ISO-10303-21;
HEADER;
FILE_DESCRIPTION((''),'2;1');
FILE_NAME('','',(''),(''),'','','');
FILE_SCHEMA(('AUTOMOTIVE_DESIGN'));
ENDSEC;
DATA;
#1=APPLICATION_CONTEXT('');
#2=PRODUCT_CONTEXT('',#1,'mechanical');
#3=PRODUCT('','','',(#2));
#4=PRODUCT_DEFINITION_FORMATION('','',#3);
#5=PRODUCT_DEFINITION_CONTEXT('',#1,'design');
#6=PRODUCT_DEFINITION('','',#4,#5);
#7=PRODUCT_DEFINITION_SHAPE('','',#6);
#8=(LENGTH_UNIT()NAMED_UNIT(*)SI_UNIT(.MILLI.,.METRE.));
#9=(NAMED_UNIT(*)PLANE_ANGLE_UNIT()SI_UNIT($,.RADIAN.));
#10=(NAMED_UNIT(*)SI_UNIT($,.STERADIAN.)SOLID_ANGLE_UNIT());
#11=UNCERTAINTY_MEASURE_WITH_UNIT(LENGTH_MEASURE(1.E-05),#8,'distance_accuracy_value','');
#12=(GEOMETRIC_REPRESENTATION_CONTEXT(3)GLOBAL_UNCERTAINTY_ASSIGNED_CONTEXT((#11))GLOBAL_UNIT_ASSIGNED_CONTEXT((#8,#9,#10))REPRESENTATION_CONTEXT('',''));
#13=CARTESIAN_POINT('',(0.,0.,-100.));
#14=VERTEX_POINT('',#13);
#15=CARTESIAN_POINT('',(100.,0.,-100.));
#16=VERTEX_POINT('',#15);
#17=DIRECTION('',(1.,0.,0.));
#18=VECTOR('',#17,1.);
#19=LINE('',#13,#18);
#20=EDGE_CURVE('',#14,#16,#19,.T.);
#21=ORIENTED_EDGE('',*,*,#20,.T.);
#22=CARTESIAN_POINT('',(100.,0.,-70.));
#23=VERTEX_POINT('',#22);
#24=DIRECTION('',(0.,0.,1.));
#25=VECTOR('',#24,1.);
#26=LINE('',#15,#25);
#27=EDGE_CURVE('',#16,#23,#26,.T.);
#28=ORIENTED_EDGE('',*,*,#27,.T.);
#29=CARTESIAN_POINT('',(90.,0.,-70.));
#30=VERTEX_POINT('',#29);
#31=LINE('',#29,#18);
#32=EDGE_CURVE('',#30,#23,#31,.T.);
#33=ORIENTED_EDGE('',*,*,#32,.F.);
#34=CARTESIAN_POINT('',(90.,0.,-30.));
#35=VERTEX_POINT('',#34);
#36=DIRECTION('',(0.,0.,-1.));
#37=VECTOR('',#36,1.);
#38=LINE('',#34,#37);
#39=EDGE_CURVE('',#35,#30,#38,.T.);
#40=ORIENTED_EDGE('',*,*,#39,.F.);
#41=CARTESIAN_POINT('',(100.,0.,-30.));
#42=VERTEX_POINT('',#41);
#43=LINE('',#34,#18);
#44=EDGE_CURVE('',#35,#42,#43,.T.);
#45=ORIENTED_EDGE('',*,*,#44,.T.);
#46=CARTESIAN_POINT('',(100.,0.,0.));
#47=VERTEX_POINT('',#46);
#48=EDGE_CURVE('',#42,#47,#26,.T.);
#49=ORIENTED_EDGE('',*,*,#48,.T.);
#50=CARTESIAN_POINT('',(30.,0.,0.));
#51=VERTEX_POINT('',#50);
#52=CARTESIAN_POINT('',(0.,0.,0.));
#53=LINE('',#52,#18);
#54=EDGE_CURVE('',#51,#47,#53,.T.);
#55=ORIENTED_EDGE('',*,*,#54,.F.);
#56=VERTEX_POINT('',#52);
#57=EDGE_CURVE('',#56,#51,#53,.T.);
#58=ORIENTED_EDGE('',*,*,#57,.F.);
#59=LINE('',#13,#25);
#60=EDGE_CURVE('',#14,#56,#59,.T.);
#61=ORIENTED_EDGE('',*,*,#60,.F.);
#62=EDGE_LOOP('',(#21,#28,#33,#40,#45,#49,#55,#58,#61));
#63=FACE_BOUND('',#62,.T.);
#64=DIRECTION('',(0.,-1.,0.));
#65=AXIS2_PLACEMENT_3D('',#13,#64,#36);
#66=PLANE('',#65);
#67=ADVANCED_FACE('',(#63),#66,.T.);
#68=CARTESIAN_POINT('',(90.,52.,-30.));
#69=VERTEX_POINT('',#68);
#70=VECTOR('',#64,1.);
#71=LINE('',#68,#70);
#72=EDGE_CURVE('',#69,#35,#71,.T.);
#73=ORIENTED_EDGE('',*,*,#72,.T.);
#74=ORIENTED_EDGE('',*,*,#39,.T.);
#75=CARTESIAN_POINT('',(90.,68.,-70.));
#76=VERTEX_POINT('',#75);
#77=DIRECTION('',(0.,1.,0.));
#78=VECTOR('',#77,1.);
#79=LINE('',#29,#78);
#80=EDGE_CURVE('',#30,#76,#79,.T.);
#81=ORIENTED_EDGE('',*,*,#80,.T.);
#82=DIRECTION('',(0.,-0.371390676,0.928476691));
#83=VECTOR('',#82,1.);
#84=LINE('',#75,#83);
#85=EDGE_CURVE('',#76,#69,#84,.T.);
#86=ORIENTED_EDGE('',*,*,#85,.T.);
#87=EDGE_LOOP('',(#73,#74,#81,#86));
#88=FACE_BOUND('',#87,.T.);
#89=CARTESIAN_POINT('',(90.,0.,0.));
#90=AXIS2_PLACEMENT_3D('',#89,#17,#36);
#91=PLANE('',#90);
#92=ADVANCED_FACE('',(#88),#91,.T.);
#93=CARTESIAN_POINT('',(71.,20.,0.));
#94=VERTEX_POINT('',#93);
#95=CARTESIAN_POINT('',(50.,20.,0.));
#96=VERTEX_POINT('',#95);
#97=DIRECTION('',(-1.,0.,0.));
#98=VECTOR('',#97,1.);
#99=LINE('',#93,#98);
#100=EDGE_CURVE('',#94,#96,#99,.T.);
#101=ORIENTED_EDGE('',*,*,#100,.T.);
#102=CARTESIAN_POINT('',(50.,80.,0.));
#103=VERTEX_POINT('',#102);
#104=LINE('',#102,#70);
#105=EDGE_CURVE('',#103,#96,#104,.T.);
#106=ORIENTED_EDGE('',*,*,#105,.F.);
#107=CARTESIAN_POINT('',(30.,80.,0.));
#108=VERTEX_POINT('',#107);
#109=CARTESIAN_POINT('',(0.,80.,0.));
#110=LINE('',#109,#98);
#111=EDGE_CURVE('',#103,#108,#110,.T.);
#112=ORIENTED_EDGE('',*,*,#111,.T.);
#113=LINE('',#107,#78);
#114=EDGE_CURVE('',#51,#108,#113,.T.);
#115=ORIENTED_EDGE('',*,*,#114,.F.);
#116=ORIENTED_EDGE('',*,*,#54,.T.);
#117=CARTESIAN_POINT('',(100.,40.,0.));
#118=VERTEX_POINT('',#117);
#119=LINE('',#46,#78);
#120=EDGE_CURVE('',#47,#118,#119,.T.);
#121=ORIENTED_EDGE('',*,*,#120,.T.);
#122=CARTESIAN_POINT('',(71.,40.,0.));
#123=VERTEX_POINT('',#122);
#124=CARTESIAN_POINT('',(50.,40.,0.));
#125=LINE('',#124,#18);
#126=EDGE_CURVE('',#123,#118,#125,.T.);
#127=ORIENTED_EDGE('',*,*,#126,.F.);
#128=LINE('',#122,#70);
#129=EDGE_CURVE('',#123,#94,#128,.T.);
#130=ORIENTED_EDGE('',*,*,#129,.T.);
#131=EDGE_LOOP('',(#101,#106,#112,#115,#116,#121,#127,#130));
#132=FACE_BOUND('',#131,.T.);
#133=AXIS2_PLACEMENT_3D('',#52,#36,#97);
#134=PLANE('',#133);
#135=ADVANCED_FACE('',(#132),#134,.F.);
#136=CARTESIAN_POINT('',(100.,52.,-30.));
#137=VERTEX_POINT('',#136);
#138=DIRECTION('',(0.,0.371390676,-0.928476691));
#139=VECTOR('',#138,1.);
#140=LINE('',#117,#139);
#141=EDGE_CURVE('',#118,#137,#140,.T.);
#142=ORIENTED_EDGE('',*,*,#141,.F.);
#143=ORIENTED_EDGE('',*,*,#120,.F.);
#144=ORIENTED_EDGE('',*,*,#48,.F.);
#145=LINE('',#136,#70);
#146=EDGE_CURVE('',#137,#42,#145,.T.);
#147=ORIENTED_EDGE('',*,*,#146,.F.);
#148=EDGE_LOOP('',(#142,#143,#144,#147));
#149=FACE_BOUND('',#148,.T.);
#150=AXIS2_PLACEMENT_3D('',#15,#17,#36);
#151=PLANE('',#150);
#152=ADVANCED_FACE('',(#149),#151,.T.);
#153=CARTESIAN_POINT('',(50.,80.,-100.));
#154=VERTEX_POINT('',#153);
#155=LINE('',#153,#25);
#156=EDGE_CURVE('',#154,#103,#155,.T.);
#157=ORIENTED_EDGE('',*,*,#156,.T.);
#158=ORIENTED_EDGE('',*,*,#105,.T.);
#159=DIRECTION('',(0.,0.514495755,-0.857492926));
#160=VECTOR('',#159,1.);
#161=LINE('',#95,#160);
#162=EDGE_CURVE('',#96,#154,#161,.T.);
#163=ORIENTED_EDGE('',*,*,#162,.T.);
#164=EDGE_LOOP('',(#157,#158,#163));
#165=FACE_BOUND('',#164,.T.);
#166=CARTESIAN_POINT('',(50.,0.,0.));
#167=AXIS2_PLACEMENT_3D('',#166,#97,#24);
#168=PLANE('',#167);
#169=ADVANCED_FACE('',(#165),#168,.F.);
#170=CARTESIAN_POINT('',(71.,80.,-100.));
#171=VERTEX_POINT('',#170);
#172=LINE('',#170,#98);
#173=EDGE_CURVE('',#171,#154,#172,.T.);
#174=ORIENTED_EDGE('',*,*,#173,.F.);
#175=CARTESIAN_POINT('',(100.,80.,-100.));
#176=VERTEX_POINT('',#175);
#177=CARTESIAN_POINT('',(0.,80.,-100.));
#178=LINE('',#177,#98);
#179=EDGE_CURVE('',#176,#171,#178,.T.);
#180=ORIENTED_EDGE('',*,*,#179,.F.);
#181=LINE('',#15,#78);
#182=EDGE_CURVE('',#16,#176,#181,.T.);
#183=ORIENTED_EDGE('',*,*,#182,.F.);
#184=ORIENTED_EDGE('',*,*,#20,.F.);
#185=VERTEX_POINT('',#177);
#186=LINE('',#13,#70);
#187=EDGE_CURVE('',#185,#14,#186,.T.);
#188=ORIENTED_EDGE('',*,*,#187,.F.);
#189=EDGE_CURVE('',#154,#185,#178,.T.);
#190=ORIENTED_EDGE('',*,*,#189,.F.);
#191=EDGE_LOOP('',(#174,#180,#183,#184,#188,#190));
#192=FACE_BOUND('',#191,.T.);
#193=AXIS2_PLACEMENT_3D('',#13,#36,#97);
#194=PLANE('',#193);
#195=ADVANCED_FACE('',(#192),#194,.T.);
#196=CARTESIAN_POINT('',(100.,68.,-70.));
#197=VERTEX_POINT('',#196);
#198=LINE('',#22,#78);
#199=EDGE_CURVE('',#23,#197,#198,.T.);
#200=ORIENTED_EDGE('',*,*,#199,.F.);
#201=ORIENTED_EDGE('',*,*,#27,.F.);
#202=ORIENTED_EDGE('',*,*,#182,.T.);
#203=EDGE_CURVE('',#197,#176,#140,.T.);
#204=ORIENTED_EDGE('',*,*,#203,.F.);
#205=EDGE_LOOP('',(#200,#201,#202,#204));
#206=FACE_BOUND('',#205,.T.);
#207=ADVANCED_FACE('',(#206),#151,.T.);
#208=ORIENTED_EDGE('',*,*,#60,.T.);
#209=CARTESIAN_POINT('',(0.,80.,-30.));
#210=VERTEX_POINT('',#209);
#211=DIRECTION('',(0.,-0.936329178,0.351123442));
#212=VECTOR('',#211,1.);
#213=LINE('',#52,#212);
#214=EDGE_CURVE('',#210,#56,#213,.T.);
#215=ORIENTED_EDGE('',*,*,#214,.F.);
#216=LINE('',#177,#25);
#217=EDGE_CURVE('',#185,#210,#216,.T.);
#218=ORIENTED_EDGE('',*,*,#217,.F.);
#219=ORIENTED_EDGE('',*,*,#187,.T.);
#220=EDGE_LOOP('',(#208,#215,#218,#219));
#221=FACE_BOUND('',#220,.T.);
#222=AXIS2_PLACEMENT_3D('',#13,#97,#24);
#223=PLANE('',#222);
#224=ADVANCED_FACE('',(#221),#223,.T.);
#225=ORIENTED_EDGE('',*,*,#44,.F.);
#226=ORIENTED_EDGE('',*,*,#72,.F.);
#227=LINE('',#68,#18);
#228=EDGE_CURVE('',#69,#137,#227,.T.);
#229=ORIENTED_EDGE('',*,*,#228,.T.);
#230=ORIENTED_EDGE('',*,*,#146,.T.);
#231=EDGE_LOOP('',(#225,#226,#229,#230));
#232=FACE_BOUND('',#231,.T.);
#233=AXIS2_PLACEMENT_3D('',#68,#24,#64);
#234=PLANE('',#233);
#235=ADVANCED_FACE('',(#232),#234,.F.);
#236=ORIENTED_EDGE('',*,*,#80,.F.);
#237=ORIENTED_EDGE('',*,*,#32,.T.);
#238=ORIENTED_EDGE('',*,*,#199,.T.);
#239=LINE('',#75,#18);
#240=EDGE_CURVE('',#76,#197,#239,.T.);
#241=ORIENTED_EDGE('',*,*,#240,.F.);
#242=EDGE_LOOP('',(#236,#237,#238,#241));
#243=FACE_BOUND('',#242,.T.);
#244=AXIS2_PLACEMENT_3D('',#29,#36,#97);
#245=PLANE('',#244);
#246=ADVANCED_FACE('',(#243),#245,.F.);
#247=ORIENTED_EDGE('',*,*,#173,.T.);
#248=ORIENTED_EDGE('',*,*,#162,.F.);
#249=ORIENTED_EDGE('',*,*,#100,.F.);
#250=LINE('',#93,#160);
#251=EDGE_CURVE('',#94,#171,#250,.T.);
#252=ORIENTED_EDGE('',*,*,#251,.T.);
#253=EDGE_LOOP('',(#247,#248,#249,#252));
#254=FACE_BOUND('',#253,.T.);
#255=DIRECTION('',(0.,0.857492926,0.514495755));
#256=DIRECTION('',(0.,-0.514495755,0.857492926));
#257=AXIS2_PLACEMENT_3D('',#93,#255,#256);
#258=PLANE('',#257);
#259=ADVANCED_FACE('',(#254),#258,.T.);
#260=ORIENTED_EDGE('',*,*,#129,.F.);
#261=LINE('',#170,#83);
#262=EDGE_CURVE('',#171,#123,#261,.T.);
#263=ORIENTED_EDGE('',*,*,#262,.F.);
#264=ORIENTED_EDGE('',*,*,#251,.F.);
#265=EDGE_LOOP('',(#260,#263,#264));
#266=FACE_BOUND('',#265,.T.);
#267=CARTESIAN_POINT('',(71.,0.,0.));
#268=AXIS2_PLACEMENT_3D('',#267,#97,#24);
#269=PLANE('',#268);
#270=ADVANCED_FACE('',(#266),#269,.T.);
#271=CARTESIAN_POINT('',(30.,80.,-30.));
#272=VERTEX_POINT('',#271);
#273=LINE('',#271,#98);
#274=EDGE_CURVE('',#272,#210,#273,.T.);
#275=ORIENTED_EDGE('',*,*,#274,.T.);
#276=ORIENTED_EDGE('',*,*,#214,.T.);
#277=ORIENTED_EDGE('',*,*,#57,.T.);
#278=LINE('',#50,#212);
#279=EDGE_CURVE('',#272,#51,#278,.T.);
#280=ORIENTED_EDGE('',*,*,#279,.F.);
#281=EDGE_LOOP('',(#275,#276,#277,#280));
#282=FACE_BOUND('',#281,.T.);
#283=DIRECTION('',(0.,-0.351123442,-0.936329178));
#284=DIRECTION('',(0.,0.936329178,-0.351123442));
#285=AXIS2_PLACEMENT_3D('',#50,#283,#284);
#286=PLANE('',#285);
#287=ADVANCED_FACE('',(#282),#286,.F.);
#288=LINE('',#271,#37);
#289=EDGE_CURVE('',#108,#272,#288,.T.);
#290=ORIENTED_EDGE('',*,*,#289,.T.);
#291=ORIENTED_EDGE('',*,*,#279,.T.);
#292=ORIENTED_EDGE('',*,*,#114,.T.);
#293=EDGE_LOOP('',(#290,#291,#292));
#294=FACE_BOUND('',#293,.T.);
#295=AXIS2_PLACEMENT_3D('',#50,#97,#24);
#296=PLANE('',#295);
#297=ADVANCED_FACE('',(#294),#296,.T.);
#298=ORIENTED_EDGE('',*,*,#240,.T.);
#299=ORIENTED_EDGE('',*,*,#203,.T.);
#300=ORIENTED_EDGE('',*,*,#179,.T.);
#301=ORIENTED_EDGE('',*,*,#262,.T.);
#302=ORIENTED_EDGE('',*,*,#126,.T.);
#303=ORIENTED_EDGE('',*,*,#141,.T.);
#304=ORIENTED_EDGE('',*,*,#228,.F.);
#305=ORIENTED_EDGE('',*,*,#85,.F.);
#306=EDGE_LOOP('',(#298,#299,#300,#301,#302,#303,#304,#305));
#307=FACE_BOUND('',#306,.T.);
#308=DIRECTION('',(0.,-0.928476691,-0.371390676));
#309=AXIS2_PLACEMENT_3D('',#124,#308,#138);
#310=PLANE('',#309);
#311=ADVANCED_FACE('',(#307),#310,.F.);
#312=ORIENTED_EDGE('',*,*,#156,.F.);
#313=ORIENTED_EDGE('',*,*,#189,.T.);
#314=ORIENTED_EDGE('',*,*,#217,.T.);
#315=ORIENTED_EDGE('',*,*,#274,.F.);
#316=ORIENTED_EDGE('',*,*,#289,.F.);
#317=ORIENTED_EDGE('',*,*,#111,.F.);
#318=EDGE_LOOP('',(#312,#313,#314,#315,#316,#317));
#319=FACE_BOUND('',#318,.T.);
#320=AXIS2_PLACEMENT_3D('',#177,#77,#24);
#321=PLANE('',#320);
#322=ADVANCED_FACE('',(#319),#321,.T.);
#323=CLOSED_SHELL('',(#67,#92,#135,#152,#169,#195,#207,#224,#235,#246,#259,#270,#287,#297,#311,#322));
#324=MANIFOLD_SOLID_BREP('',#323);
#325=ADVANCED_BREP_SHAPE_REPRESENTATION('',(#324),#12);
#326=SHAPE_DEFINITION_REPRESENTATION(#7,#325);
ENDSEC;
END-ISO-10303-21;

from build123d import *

# Parameters (mm, degrees)
SKETCH1_W               = 100
SKETCH1_H               = 80
BOSS_EXTRUDE1_DEPTH     = 100
CUT_EXTRUDE1_DEPTH      = 30
CUT_EXTRUDE2_DEPTH      = 50
CUT_EXTRUDE4_DEPTH      = 1
CUT_EXTRUDE4_DEPTH_BACK = 20
CUT_EXTRUDE4_START      = -30
CUT_EXTRUDE3_DEPTH      = 10


with BuildPart() as part:
    # Sketch1 → Boss-Extrude1 (new body)
    with BuildSketch(Plane.XY):
        with Locations((50, 40)):
            Rectangle(SKETCH1_W, SKETCH1_H)
    extrude(amount=-BOSS_EXTRUDE1_DEPTH)

    # Sketch3 → Cut-Extrude1 (cut)
    with BuildSketch(Plane.ZY):
        Polygon((0, 0), (-30, 80), (0, 80), align=None)
    extrude(amount=-CUT_EXTRUDE1_DEPTH, mode=Mode.SUBTRACT)

    # Sketch5 → Cut-Extrude2 (cut)
    with BuildSketch(Plane(origin=(100, 0, 0), x_dir=(0, 0, -1), z_dir=(1, 0, 0))):
        Polygon((0, 40), (100, 80), (0, 80), align=None)
    extrude(amount=-CUT_EXTRUDE2_DEPTH, mode=Mode.SUBTRACT)

    # Sketch8 → Cut-Extrude4 (cut, two sides: drawn at the far end of the back side and taken through both)
    with BuildSketch(Plane(origin=(100, 0, 0), x_dir=(0, 0, -1), z_dir=(1, 0, 0)).offset(CUT_EXTRUDE4_START - CUT_EXTRUDE4_DEPTH_BACK)):
        Polygon((0, 20), (100, 80), (0, 40), align=None)
    extrude(amount=CUT_EXTRUDE4_DEPTH + CUT_EXTRUDE4_DEPTH_BACK, mode=Mode.SUBTRACT)

    # Sketch7 → Cut-Extrude3 (cut)
    with BuildSketch(Plane(origin=(100, 0, 0), x_dir=(0, 0, -1), z_dir=(1, 0, 0))):
        Polygon((30, 52), (30, 0), (70, 0), (70, 68), align=None)
    extrude(amount=-CUT_EXTRUDE3_DEPTH, mode=Mode.SUBTRACT)


solid = part.part
